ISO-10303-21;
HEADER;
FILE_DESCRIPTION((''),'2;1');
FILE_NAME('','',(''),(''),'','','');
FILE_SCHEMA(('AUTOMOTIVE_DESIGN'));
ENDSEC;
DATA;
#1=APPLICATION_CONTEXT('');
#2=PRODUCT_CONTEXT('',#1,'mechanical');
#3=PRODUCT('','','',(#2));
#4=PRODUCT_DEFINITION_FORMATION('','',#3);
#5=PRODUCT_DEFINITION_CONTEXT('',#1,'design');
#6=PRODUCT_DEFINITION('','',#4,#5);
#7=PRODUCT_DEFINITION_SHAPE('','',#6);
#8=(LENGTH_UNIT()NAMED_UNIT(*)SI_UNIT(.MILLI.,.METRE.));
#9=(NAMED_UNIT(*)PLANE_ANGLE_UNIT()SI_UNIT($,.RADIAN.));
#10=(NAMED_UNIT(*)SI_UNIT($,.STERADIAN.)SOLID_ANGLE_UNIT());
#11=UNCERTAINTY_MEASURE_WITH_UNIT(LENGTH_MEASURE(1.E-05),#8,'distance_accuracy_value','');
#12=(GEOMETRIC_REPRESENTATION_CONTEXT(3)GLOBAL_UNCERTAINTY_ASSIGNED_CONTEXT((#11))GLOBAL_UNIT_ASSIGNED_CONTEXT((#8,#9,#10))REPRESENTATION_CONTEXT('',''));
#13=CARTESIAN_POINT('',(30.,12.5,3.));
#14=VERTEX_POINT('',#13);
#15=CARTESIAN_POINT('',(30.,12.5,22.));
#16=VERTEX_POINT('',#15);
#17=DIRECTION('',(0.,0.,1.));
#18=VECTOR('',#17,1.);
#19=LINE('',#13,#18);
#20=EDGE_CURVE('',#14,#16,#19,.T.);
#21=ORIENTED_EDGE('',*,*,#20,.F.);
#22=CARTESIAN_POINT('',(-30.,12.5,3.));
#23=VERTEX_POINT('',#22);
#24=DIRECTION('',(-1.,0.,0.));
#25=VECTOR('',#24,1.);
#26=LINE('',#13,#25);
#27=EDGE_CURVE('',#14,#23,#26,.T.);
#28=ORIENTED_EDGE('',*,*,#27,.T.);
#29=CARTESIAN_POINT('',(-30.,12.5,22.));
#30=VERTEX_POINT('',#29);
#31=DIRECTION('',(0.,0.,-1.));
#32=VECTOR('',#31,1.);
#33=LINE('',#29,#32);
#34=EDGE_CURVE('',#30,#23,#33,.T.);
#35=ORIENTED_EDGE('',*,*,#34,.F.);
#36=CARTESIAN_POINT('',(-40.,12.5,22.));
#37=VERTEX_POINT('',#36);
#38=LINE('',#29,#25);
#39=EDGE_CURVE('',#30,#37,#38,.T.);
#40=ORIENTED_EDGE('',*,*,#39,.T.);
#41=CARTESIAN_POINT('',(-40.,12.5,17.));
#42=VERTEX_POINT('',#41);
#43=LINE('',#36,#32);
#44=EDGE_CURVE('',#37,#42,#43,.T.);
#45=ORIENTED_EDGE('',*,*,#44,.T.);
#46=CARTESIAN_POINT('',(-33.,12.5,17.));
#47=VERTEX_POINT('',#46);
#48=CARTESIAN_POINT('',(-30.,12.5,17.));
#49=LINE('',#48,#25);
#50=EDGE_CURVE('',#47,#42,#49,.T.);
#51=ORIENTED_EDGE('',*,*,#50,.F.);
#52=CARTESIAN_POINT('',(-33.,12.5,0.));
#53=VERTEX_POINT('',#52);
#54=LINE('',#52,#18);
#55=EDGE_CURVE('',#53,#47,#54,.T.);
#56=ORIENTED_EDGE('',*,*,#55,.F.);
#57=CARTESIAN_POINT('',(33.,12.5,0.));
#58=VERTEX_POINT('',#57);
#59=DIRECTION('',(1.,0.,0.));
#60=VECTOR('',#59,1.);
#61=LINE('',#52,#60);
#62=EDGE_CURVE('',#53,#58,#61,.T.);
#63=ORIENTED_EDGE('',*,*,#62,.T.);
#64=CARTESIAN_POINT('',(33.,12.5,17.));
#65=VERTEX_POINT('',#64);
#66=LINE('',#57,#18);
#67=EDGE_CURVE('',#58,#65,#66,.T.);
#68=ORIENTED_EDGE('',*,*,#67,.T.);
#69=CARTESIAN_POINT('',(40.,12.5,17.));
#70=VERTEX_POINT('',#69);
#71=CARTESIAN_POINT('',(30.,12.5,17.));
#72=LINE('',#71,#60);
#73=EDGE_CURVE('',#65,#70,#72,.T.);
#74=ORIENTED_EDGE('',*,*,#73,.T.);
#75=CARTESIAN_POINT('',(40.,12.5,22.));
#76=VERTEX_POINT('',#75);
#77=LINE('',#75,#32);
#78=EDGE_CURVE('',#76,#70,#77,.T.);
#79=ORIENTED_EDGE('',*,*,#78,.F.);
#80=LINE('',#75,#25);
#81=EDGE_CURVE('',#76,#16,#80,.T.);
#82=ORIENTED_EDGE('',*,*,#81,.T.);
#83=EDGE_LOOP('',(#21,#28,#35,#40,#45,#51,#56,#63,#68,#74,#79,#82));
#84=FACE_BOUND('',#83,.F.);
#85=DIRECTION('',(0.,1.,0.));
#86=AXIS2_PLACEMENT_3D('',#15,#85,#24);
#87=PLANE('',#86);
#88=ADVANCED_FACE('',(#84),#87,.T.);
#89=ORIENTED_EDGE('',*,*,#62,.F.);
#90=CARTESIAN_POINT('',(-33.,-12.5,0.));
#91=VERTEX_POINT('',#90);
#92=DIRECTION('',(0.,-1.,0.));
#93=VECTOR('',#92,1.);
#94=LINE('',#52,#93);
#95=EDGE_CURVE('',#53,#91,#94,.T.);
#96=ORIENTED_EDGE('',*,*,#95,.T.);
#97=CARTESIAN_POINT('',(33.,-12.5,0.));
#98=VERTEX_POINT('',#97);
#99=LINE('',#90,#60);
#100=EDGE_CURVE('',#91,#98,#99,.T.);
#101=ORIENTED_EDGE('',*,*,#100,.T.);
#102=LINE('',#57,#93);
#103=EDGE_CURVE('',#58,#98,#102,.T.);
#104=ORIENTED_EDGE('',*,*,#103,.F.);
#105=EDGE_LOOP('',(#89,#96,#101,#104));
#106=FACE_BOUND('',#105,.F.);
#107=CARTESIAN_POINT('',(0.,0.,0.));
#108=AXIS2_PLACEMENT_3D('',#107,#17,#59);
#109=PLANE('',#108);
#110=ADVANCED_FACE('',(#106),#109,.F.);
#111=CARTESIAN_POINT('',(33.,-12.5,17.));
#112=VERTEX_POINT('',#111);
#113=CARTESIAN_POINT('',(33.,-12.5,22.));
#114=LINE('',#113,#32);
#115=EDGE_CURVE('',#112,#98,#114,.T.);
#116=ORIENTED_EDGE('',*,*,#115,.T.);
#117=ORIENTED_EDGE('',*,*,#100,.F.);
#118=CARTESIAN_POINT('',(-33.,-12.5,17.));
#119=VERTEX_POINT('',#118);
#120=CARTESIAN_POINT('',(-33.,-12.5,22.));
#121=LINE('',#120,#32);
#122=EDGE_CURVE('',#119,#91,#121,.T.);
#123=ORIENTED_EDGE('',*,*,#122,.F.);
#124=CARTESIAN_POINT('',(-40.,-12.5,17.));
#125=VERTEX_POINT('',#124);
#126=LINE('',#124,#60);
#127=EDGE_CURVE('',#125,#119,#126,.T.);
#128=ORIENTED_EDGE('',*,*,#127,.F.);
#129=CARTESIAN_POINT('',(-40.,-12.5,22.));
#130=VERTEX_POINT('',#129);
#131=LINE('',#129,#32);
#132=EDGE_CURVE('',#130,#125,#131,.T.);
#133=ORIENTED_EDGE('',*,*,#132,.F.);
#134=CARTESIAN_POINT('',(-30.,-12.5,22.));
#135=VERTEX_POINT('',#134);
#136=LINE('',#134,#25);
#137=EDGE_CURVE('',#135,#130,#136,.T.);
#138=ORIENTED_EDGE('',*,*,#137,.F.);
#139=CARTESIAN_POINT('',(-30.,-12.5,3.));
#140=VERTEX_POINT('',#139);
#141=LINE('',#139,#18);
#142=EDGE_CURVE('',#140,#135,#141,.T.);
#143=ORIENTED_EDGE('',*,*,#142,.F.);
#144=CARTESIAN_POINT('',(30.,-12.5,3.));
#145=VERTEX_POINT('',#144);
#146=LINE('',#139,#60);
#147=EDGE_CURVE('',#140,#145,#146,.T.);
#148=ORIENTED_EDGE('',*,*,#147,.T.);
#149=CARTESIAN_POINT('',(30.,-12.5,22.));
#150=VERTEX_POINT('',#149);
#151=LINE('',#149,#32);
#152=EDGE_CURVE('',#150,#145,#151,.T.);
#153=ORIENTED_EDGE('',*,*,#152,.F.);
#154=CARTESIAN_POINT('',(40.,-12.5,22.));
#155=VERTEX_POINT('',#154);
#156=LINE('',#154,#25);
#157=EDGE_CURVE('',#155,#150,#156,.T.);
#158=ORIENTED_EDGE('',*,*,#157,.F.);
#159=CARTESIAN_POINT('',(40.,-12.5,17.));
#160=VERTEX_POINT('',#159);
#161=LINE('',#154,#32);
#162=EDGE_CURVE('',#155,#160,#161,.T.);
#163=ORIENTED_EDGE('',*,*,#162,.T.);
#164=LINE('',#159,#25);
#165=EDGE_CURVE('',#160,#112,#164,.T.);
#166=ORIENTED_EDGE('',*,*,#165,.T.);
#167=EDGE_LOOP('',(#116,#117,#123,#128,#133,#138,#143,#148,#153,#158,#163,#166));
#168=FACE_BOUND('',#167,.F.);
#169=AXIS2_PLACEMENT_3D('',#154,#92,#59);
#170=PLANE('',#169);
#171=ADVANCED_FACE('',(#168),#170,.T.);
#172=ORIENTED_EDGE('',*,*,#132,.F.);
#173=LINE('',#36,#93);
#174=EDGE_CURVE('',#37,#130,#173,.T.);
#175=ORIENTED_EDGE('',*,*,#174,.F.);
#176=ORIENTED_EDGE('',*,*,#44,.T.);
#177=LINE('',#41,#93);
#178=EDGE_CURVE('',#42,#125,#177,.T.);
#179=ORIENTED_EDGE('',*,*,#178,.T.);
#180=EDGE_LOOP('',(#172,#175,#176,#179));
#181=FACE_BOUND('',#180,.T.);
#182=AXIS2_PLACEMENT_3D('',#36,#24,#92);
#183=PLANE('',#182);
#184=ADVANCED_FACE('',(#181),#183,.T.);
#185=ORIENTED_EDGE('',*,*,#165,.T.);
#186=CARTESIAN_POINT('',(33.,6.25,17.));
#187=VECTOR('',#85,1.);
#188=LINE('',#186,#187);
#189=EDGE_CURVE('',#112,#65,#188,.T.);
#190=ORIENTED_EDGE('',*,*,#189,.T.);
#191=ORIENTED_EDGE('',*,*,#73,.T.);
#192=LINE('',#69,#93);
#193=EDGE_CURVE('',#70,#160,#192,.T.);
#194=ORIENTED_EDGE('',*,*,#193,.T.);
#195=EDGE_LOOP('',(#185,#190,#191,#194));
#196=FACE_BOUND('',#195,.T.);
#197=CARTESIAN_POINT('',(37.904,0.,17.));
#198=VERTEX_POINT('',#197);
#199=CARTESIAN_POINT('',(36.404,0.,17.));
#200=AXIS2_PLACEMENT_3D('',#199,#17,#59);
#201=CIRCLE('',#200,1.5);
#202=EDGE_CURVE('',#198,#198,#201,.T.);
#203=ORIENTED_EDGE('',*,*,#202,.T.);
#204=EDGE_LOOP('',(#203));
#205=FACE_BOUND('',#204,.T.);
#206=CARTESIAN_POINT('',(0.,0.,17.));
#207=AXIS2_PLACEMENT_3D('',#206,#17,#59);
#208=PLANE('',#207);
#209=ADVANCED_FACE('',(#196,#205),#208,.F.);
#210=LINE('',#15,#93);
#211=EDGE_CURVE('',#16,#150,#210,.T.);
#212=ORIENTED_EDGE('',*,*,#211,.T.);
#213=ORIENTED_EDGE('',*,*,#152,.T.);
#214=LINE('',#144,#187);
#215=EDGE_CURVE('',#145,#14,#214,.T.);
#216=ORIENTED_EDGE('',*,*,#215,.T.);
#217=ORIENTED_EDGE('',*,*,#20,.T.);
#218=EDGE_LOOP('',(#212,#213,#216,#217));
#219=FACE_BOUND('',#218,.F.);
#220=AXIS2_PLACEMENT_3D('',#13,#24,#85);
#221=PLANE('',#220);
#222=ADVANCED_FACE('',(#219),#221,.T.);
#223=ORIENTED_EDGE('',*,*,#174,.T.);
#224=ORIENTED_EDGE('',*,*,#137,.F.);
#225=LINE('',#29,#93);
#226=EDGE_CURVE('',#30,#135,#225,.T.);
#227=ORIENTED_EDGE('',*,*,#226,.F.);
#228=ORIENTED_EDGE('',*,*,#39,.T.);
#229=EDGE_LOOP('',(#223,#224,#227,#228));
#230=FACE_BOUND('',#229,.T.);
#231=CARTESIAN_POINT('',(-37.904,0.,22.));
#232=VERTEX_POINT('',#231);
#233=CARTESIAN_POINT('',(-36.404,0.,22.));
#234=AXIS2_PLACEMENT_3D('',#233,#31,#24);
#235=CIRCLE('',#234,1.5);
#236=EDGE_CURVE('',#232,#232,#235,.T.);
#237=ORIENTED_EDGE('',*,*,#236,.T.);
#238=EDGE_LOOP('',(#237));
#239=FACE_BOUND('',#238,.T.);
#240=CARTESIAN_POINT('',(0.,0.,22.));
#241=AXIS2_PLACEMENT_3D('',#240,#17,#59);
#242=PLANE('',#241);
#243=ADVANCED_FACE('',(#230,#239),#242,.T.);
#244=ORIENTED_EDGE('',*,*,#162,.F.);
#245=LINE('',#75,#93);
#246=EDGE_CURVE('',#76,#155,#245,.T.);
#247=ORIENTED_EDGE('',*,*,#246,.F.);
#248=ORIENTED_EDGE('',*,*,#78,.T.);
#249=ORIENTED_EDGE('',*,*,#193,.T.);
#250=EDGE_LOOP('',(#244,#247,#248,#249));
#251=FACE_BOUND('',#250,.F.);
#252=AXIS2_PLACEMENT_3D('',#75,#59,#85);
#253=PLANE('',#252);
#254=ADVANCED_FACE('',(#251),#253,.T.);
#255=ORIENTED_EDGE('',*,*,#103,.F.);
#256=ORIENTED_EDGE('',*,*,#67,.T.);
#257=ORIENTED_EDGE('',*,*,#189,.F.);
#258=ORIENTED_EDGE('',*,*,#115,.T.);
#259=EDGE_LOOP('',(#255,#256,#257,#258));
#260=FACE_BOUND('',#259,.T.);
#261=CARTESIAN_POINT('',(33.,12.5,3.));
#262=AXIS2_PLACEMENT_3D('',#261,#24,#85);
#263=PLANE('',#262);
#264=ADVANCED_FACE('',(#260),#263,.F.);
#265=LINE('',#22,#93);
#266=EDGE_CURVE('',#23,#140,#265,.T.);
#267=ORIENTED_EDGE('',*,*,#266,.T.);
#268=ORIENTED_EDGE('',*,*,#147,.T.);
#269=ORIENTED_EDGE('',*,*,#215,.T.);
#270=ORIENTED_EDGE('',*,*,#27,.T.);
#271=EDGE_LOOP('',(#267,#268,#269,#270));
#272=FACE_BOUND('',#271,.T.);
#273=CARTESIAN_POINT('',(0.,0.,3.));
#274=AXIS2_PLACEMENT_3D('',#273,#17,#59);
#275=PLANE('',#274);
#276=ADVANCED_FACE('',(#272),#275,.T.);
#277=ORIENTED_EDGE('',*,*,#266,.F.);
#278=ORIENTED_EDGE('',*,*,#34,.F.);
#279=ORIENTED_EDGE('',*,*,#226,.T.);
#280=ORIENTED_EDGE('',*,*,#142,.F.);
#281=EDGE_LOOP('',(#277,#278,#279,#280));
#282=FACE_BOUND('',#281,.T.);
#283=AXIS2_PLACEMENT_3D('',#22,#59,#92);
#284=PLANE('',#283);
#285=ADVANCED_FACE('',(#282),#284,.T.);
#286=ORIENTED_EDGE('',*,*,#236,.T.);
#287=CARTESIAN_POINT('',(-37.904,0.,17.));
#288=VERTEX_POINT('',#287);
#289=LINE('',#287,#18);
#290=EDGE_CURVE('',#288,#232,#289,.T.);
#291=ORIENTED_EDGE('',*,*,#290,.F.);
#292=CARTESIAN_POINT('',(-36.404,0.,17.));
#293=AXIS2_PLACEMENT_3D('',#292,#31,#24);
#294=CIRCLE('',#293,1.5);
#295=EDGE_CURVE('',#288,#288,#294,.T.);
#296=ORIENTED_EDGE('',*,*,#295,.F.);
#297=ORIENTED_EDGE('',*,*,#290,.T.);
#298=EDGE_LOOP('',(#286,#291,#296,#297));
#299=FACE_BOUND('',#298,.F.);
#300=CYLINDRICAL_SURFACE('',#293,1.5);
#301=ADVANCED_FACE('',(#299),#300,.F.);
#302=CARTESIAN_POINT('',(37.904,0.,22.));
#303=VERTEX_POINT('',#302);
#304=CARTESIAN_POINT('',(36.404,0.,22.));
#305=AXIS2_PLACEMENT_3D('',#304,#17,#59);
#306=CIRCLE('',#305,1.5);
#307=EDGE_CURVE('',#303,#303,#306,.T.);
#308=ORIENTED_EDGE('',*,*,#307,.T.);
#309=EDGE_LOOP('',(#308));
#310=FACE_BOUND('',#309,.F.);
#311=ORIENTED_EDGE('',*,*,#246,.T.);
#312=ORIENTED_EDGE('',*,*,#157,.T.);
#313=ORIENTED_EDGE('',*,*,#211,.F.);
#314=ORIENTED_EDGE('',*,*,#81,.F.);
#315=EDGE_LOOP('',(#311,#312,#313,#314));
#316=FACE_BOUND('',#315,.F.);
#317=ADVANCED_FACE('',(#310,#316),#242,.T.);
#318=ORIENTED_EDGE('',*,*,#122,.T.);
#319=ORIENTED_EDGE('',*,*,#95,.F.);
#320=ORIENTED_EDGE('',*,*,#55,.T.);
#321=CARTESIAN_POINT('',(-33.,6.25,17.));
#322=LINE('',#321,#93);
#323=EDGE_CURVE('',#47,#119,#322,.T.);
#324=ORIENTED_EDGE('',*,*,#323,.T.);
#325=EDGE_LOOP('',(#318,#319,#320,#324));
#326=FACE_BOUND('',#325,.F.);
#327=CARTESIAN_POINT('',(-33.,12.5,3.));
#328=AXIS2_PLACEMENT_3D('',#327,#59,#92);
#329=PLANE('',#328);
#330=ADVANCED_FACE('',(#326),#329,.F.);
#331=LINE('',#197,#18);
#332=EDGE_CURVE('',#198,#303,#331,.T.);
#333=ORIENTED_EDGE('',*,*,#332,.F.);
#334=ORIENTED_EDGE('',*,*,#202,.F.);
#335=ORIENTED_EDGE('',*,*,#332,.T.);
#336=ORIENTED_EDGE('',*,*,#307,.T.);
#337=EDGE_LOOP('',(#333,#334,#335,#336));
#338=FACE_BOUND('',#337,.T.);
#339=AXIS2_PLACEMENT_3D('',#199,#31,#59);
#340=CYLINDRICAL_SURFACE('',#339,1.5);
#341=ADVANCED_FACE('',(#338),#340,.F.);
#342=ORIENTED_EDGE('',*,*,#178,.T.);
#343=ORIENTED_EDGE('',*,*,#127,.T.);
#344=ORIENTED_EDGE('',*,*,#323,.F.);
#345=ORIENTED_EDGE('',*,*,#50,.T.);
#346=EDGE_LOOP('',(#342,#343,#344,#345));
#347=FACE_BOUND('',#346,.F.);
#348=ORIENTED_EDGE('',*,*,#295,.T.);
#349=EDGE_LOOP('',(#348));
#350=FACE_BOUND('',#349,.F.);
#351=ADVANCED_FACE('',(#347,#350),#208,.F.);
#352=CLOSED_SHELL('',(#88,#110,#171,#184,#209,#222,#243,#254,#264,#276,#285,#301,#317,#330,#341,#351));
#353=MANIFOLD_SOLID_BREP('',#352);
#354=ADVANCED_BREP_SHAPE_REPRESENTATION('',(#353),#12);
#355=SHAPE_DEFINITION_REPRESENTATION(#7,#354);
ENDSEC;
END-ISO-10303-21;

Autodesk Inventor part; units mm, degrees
ref_plane "YZ Plane" through (0, 0, 0) normal (1, 0, 0) x (0, 1, 0)
ref_plane "XZ Plane" through (0, 0, 0) normal (0, 1, 0) x (-1, 0, 0)
ref_plane "XY Plane" through (0, 0, 0) normal (0, 0, 1) x (1, 0, 0)
sketch "Эскиз1" plane through (0, 0, 0) normal (0, 0, 1) x (1, 0, 0)
  line L0 (-30, -12.5) -> (30, -12.5)
  line L1 (30, -12.5) -> (30, 12.5)
  line L2 (30, 12.5) -> (-30, 12.5)
  line L3 (-30, 12.5) -> (-30, -12.5)
  line L4 (-30, -12.5) -> (30, 12.5) construction
  line L5 (30, -12.5) -> (-30, 12.5) construction
  point P0 (0, 0)
  dimension "d0" = 60
  dimension "d14" = 25
extrude "Выдавливание1" add sketch "Эскиз1" along normal blind 3
sketch "Эскиз2" plane through (0, 0, 3) normal (0, 0, 1) x (1, 0, 0)
  line L0 (-30, 12.5) -> (-30, -12.5) projected
  line L1 (-30, 12.5) -> (-33, 12.5)
  line L2 (-33, 12.5) -> (-33, -12.5)
  line L3 (-33, -12.5) -> (-30, -12.5)
  line L4 (-30, -12.5) -> (-30, 12.5)
  point P0 (0, 0)
  dimension "d3" = 3
extrude "Выдавливание2" add sketch "Эскиз2" along normal blind 19 and the other way blind 3
sketch "Эскиз3" plane through (0, 0, 22) normal (0, 0, 1) x (1, 0, 0)
  line L0 (-30, -12.5) -> (-30, 12.5) projected
  line L1 (-30, 12.5) -> (-40, 12.5)
  line L2 (-40, 12.5) -> (-40, -12.5)
  line L3 (-40, -12.5) -> (-30, -12.5)
  line L4 (-30, -12.5) -> (-30, 12.5)
  point P0 (0, 0)
  dimension "d8" = 10
extrude "Выдавливание3" add sketch "Эскиз3" against normal blind 5
sketch "Эскиз4" plane through (0, 0, 17) normal (0, 0, -1) x (-1, 0, 0)
  circle A0 centre (36.404, 0) radius 1.5
  line L0 (40, -12.5) -> (40, 12.5) projected
  point P0 (0, 0)
  point P1 (40, 0)
  dimension "d11" = 3
extrude "Выдавливание4" cut sketch "Эскиз4" against normal blind 5
mirror "Зеркальное отражение1" about plane through (0, 0, 0) normal (1, 0, 0) of "Выдавливание2", "Выдавливание3", "Выдавливание4"
properties part number "000.001.013 - Скобе прижима турбины"
